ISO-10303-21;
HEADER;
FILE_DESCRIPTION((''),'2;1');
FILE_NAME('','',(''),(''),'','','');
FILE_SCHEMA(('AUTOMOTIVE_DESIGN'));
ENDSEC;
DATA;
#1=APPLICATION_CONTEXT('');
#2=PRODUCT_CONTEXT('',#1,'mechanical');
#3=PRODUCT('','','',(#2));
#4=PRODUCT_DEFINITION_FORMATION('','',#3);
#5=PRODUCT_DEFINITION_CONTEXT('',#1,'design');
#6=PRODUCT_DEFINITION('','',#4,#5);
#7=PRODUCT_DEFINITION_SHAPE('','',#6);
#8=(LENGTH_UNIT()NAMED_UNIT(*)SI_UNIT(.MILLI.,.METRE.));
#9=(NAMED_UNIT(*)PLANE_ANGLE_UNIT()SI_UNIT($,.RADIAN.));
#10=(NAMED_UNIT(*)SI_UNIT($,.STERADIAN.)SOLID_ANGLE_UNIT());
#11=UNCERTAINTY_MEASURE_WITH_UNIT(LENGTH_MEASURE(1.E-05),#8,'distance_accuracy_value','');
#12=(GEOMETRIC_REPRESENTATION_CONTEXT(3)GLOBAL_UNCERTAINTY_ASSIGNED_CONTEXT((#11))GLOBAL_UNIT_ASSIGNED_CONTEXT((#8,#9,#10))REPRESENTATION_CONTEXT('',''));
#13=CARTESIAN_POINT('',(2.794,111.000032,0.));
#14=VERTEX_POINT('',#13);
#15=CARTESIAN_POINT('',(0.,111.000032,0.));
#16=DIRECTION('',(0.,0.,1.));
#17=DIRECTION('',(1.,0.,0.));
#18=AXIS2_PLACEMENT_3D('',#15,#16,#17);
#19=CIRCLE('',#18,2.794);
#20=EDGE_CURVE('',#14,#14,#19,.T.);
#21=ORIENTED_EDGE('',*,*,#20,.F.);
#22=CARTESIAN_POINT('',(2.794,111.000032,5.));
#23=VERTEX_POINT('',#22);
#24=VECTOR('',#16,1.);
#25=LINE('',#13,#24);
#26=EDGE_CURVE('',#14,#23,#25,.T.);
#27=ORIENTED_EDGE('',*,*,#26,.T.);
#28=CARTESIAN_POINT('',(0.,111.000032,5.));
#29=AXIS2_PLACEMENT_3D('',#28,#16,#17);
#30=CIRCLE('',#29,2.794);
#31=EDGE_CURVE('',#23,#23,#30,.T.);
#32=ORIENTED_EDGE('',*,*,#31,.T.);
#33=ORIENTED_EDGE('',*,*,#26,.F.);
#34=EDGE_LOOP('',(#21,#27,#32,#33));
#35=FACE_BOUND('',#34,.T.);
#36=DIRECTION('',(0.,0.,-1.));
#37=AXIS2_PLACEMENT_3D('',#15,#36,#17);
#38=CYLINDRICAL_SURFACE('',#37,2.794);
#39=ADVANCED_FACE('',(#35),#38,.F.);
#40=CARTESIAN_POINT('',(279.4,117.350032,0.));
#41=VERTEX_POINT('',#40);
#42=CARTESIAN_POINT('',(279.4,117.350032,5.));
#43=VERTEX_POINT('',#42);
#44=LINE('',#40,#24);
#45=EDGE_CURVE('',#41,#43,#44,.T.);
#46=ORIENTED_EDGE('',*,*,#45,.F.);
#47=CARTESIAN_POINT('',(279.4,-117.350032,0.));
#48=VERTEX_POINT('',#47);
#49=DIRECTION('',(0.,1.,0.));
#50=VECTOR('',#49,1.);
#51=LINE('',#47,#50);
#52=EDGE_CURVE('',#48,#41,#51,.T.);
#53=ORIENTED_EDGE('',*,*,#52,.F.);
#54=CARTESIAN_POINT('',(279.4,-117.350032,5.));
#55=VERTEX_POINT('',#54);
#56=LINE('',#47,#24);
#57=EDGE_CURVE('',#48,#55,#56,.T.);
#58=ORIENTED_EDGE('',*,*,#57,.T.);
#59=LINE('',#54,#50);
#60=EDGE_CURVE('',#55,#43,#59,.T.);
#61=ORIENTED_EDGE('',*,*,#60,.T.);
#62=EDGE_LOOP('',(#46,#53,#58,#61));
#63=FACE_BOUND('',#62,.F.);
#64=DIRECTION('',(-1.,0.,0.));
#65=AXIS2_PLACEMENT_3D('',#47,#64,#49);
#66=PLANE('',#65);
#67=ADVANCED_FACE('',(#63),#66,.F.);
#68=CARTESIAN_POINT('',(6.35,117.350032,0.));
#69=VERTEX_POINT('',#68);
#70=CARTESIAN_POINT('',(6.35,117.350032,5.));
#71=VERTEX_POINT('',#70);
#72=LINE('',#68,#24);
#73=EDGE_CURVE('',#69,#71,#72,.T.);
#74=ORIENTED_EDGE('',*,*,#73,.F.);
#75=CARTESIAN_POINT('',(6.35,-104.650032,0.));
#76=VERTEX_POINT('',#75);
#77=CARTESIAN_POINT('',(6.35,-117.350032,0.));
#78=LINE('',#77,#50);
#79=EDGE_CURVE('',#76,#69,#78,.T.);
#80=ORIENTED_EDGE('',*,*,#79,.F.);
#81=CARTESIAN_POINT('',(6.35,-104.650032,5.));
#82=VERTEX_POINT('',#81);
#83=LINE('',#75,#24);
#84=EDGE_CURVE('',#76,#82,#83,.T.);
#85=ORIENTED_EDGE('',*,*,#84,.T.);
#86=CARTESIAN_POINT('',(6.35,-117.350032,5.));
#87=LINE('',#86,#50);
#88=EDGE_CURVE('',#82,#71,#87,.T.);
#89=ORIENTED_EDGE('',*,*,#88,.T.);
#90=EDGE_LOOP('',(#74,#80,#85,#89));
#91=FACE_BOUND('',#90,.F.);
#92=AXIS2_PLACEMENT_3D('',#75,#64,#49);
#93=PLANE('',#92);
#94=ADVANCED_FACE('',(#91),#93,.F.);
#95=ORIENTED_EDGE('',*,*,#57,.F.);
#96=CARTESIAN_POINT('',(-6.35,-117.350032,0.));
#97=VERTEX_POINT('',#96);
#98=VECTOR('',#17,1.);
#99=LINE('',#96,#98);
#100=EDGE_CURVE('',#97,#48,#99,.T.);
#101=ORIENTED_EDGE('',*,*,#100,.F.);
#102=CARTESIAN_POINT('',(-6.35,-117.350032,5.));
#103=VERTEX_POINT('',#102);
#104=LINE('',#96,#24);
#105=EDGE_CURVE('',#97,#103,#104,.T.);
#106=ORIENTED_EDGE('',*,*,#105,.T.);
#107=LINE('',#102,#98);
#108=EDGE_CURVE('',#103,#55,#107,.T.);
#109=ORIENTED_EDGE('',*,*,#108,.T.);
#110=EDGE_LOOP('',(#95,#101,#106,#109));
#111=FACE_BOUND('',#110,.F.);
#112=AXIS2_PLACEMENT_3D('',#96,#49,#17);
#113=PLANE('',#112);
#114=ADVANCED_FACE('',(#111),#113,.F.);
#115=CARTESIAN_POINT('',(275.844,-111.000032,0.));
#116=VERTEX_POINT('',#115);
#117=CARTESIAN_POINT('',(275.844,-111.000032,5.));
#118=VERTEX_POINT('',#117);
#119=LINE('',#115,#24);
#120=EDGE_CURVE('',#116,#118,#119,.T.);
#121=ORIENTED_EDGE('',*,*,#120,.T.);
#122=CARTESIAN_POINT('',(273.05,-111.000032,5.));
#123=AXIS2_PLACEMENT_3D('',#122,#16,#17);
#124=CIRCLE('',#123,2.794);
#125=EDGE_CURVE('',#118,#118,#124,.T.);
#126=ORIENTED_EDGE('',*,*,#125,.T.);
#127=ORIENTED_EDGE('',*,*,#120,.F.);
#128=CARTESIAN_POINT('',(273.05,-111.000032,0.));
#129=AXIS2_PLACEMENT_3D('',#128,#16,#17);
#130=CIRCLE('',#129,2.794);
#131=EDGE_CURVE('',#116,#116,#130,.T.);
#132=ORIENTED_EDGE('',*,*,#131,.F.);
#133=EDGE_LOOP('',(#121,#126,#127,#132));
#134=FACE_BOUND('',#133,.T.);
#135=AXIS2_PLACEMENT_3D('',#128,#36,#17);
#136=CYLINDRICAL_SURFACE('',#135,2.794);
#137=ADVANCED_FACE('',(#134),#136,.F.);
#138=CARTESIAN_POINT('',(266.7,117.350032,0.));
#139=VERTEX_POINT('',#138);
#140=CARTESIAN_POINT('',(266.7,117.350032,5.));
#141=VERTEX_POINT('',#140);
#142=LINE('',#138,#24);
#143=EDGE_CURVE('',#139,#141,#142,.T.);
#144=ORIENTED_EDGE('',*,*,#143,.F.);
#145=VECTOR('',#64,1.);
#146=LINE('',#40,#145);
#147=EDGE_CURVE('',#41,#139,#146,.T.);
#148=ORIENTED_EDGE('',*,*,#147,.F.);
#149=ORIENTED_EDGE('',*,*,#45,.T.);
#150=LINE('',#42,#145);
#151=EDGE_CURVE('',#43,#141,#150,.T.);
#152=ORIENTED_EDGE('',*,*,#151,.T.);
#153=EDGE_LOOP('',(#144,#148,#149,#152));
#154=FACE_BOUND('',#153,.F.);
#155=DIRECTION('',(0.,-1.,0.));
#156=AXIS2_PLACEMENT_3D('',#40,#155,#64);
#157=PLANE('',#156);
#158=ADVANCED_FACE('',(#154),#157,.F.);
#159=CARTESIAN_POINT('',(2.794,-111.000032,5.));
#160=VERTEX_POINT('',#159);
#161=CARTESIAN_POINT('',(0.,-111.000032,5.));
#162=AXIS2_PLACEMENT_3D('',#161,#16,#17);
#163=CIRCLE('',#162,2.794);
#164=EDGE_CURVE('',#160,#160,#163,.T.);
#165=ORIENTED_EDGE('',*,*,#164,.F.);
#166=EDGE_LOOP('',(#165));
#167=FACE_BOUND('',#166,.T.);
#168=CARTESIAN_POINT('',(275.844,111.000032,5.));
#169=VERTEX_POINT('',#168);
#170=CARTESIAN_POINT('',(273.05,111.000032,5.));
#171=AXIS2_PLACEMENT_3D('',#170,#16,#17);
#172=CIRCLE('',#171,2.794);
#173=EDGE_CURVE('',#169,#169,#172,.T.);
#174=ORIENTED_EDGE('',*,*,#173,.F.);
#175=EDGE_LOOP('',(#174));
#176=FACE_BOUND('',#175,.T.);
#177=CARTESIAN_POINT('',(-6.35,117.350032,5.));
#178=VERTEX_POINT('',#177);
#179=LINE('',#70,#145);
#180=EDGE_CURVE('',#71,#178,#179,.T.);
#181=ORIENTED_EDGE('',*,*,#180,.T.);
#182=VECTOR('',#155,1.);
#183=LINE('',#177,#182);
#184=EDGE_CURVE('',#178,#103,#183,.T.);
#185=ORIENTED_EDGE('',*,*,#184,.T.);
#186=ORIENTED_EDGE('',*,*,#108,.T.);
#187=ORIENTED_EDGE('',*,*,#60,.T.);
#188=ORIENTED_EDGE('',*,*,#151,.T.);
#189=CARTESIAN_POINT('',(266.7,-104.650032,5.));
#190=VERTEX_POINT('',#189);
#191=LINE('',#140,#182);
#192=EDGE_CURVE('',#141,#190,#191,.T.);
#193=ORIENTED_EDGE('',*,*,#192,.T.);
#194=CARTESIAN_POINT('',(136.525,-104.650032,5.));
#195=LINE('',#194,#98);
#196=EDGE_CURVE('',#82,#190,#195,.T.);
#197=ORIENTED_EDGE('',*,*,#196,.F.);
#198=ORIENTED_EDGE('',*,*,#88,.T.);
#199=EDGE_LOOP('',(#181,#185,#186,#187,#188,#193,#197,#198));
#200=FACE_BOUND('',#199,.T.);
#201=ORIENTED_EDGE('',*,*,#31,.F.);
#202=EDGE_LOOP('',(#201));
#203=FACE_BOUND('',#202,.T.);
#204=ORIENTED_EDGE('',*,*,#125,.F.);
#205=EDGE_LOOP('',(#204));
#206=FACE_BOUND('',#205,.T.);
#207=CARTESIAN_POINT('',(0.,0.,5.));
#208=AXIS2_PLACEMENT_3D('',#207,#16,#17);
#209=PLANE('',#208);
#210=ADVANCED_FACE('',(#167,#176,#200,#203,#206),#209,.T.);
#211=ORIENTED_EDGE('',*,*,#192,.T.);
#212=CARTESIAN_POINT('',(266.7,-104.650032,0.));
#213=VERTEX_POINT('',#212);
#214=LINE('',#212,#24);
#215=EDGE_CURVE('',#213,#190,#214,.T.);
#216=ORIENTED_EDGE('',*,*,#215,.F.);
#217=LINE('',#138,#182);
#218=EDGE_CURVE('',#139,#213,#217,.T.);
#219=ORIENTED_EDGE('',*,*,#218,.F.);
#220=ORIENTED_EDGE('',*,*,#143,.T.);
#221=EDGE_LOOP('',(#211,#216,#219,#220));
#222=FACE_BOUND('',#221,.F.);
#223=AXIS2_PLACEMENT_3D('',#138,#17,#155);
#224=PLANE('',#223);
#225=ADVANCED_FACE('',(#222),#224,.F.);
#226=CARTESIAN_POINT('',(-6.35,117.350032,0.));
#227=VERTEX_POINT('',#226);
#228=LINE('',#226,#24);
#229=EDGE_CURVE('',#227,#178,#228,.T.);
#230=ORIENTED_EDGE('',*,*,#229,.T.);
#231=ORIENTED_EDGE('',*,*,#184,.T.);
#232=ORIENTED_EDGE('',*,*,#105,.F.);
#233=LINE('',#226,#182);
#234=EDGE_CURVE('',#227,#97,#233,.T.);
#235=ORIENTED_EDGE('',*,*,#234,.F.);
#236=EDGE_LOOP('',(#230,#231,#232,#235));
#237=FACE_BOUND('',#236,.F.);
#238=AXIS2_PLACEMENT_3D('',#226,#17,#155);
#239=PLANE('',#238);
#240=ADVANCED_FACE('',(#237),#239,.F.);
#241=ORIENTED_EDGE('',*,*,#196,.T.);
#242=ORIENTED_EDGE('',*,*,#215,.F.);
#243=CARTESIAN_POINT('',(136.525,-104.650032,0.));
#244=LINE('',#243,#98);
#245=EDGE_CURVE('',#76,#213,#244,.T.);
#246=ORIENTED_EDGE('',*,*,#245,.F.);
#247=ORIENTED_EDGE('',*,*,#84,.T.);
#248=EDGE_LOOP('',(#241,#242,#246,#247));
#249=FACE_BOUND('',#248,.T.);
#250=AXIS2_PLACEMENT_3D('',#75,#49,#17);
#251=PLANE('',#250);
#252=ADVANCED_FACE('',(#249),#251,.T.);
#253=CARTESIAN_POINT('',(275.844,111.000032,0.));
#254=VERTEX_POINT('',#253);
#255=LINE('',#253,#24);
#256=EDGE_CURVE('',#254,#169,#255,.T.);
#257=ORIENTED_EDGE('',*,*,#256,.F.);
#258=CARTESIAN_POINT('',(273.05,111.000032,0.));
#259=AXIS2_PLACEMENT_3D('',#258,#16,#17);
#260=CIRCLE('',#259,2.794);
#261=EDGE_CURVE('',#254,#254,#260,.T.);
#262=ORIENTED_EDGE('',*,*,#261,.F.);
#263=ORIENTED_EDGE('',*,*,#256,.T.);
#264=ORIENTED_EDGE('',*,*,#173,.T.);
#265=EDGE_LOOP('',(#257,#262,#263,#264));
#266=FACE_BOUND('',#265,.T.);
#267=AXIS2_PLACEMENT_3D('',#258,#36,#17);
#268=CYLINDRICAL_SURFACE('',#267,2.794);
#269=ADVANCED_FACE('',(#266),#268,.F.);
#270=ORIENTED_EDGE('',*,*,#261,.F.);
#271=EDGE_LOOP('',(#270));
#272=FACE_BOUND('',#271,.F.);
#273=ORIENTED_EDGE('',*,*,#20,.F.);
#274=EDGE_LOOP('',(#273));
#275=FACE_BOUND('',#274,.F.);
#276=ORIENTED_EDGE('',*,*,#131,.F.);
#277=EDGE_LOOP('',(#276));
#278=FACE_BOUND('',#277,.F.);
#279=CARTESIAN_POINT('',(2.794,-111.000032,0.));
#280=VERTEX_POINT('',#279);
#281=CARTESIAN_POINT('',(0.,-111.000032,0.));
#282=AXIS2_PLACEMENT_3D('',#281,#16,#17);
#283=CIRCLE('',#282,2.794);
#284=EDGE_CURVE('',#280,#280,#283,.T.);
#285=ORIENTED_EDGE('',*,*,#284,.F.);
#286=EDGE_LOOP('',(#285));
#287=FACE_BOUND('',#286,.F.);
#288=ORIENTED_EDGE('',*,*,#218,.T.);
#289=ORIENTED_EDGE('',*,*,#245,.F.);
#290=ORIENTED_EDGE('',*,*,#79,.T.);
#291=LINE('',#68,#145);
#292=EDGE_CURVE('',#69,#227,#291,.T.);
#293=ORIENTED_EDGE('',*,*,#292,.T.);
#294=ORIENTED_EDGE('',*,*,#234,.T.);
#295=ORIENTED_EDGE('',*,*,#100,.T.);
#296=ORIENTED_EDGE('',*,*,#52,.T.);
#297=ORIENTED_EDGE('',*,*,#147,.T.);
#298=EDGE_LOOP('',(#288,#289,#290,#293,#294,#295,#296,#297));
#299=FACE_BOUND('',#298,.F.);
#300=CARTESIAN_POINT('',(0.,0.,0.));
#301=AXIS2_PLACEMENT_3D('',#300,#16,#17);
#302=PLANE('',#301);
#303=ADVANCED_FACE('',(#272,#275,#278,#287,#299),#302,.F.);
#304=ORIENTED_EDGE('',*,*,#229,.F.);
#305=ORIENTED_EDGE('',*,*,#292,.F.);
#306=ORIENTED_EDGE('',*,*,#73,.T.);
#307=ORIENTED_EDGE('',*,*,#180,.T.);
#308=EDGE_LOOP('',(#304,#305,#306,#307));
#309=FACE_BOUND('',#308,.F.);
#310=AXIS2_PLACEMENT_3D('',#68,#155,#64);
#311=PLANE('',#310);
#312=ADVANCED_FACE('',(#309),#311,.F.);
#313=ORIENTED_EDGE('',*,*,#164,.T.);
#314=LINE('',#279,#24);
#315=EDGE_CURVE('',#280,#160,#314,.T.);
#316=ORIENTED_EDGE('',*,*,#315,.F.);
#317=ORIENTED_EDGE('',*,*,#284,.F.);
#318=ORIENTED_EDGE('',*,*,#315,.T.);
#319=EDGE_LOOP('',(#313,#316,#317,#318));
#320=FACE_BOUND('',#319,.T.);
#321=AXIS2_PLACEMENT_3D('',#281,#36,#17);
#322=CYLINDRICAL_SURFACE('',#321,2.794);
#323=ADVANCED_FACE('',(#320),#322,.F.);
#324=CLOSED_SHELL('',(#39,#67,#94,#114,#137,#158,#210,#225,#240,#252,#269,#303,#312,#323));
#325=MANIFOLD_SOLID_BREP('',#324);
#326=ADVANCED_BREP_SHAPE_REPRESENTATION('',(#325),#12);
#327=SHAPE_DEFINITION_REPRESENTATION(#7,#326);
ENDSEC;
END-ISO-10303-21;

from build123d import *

# Parameters (mm, degrees)
F0_R     = 2.794
F0_W     = 260.35
F0_H     = 12.7
F1_DEPTH = 5


with BuildPart() as f1:
    # F0 (on Top) → F1 (new body)
    with BuildSketch(Plane.XY):
        Polygon((6.35, 117.350032), (-6.35, 117.350032), (-6.35, -117.350032), (6.35, -117.350032), (6.35, -104.650032), align=None)
        with Locations((0, -111.000032)):
            Circle(F0_R, mode=Mode.SUBTRACT)
        with Locations((0, 111.000032)):
            Circle(F0_R, mode=Mode.SUBTRACT)
        Polygon((266.7, 117.350032), (266.7, -104.650032), (266.7, -117.350032), (279.4, -117.350032), (279.4, 117.350032), align=None)
        with Locations((273.05, -111.000032)):
            Circle(F0_R, mode=Mode.SUBTRACT)
        with Locations((273.05, 111.000032)):
            Circle(F0_R, mode=Mode.SUBTRACT)
        with Locations((136.525, -111.000032)):
            Rectangle(F0_W, F0_H)
    extrude(amount=F1_DEPTH)


solid = f1.part
